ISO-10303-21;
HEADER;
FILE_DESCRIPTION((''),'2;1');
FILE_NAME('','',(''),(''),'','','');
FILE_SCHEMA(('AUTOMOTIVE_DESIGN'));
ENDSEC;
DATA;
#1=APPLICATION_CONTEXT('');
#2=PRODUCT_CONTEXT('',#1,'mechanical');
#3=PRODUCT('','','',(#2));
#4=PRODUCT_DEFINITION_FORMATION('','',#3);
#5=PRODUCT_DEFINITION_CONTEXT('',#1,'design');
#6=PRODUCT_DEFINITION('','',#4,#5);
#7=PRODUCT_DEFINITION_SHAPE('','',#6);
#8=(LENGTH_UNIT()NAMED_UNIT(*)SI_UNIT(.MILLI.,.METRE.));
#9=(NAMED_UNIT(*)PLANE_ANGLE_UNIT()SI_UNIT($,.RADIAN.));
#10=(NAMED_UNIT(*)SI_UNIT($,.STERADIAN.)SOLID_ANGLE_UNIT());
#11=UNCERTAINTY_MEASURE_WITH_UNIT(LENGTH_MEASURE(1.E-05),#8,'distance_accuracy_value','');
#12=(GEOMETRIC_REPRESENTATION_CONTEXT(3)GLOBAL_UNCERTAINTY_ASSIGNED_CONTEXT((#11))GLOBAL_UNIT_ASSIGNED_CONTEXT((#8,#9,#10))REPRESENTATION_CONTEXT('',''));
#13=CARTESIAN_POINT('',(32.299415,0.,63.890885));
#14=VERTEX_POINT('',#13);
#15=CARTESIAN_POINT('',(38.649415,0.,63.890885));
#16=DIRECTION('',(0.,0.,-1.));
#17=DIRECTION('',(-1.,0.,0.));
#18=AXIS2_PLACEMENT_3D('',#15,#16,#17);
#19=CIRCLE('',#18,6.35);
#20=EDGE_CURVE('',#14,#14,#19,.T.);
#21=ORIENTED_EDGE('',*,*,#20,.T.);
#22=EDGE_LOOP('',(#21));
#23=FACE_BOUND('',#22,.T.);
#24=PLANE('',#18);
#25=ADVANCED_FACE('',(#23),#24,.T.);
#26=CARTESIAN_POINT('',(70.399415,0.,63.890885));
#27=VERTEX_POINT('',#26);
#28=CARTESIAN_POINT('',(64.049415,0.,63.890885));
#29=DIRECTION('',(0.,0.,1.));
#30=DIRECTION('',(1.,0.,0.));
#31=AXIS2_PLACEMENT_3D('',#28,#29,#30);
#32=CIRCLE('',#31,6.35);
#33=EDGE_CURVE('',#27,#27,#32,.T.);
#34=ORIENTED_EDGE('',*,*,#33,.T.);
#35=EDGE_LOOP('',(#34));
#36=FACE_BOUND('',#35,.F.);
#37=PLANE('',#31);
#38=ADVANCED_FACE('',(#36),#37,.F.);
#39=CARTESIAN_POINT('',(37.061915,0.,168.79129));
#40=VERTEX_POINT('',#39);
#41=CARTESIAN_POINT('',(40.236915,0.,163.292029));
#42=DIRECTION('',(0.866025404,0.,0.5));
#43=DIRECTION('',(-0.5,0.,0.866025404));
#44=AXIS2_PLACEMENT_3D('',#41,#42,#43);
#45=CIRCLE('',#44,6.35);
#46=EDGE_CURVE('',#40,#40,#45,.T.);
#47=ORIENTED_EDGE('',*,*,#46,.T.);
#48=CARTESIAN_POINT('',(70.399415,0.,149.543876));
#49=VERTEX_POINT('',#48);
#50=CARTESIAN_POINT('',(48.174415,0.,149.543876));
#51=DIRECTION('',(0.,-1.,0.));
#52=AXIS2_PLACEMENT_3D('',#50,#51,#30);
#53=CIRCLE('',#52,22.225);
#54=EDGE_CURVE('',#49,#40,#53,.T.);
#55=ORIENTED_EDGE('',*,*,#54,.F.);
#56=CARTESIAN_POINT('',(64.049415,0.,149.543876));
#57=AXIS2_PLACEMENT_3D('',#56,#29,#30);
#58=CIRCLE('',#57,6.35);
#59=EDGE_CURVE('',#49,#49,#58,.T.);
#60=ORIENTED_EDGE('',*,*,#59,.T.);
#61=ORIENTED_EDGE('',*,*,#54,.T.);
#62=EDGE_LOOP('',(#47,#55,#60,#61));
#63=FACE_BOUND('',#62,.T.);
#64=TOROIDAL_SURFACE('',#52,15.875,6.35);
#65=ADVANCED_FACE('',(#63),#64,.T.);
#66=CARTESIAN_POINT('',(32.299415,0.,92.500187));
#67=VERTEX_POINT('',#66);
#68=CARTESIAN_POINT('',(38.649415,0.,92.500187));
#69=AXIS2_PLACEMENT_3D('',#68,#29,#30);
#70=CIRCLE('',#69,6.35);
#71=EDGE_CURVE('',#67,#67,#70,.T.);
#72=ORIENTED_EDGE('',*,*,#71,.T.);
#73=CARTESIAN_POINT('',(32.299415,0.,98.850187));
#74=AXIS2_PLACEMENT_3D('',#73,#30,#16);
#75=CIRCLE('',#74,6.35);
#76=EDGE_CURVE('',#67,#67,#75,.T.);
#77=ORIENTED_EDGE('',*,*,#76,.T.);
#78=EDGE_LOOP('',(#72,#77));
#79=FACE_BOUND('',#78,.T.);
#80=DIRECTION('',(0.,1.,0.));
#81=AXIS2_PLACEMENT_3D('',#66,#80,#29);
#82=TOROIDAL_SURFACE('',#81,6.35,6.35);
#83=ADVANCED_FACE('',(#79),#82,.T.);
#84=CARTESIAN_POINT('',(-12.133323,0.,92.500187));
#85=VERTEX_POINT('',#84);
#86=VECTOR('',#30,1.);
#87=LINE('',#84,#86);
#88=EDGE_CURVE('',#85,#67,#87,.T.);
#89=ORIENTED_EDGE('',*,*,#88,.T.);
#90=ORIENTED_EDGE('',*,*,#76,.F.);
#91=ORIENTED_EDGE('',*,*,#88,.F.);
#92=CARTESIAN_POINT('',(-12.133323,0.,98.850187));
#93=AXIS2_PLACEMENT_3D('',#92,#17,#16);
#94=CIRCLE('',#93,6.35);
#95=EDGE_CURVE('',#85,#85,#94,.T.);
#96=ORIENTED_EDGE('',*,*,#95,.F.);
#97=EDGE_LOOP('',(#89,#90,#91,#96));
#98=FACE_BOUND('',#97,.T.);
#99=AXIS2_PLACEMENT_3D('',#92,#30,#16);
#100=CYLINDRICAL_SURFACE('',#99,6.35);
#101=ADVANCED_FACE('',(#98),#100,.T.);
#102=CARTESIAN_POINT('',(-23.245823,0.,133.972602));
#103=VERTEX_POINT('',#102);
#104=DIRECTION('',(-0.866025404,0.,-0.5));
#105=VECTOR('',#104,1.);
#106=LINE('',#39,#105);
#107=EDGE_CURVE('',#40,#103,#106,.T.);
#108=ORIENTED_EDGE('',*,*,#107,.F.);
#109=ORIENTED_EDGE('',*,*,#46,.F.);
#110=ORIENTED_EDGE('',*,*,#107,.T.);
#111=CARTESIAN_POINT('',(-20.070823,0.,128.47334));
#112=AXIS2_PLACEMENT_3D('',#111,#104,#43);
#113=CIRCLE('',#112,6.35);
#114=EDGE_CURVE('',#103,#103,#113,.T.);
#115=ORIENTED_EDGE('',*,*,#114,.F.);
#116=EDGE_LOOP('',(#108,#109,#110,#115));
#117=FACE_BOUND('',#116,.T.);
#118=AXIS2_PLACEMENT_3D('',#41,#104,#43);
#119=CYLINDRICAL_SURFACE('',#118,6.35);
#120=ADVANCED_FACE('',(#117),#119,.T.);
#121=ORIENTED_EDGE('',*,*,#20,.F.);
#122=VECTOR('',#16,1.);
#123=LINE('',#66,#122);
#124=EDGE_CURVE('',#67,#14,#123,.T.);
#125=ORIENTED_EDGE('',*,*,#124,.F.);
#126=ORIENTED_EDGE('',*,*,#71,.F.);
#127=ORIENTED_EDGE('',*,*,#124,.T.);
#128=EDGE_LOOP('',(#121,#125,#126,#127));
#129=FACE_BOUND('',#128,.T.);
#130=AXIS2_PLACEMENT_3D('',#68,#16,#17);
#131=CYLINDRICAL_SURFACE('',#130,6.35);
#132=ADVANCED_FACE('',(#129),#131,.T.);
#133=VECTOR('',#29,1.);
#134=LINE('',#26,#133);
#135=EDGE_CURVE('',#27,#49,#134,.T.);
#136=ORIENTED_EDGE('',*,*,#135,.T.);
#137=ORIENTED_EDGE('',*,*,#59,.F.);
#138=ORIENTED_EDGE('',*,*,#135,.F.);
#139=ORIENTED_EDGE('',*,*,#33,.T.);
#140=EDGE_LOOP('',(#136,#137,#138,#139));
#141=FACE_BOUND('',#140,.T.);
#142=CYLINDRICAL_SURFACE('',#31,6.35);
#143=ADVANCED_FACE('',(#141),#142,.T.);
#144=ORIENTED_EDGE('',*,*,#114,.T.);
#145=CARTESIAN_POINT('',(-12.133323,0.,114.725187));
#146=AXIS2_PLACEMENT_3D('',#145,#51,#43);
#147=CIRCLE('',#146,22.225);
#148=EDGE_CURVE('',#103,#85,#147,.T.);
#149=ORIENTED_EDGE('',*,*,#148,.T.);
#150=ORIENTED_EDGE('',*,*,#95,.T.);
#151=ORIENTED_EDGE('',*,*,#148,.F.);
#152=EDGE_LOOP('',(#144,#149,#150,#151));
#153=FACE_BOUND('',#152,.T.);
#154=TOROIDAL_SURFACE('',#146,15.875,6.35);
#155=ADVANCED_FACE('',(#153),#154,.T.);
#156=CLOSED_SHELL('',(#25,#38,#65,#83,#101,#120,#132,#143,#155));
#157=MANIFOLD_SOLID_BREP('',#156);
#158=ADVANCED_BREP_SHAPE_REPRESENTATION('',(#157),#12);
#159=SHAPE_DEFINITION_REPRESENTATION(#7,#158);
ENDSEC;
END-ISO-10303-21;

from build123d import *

# Parameters (mm, degrees)
F2_R = 6.35


with BuildPart() as f3:
    # F3: sweep along a path in F0
    with BuildLine(Plane.XZ) as f3_path:
        Line((64.049415077, 63.8908846664), (64.049415077, 149.543875866))
        ThreePointArc((64.049415077, 149.543875866), (56.111915077, 163.2920291511), (40.236915077, 163.2920291511))
        Line((40.236915077, 163.2920291511), (-20.070823171, 128.4733402394))
        ThreePointArc((-20.070823171, 128.4733402394), (-27.4673956633, 110.6164346134), (-12.133323171, 98.8501869544))
        Line((-12.133323171, 98.8501869544), (32.299415077, 98.8501869544))
        ThreePointArc((32.299415077, 98.8501869544), (36.7895431375, 96.9903150149), (38.649415077, 92.5001869544))
        Line((38.649415077, 92.5001869544), (38.649415077, 63.8908846664))
    # F2 (on line) → F3 (sweep)
    with BuildSketch(Plane.XY.offset(63.8908846664)):
        with Locations((64.049415077, 0)):
            Circle(F2_R)
    sweep(path=f3_path.line)


solid = f3.part
